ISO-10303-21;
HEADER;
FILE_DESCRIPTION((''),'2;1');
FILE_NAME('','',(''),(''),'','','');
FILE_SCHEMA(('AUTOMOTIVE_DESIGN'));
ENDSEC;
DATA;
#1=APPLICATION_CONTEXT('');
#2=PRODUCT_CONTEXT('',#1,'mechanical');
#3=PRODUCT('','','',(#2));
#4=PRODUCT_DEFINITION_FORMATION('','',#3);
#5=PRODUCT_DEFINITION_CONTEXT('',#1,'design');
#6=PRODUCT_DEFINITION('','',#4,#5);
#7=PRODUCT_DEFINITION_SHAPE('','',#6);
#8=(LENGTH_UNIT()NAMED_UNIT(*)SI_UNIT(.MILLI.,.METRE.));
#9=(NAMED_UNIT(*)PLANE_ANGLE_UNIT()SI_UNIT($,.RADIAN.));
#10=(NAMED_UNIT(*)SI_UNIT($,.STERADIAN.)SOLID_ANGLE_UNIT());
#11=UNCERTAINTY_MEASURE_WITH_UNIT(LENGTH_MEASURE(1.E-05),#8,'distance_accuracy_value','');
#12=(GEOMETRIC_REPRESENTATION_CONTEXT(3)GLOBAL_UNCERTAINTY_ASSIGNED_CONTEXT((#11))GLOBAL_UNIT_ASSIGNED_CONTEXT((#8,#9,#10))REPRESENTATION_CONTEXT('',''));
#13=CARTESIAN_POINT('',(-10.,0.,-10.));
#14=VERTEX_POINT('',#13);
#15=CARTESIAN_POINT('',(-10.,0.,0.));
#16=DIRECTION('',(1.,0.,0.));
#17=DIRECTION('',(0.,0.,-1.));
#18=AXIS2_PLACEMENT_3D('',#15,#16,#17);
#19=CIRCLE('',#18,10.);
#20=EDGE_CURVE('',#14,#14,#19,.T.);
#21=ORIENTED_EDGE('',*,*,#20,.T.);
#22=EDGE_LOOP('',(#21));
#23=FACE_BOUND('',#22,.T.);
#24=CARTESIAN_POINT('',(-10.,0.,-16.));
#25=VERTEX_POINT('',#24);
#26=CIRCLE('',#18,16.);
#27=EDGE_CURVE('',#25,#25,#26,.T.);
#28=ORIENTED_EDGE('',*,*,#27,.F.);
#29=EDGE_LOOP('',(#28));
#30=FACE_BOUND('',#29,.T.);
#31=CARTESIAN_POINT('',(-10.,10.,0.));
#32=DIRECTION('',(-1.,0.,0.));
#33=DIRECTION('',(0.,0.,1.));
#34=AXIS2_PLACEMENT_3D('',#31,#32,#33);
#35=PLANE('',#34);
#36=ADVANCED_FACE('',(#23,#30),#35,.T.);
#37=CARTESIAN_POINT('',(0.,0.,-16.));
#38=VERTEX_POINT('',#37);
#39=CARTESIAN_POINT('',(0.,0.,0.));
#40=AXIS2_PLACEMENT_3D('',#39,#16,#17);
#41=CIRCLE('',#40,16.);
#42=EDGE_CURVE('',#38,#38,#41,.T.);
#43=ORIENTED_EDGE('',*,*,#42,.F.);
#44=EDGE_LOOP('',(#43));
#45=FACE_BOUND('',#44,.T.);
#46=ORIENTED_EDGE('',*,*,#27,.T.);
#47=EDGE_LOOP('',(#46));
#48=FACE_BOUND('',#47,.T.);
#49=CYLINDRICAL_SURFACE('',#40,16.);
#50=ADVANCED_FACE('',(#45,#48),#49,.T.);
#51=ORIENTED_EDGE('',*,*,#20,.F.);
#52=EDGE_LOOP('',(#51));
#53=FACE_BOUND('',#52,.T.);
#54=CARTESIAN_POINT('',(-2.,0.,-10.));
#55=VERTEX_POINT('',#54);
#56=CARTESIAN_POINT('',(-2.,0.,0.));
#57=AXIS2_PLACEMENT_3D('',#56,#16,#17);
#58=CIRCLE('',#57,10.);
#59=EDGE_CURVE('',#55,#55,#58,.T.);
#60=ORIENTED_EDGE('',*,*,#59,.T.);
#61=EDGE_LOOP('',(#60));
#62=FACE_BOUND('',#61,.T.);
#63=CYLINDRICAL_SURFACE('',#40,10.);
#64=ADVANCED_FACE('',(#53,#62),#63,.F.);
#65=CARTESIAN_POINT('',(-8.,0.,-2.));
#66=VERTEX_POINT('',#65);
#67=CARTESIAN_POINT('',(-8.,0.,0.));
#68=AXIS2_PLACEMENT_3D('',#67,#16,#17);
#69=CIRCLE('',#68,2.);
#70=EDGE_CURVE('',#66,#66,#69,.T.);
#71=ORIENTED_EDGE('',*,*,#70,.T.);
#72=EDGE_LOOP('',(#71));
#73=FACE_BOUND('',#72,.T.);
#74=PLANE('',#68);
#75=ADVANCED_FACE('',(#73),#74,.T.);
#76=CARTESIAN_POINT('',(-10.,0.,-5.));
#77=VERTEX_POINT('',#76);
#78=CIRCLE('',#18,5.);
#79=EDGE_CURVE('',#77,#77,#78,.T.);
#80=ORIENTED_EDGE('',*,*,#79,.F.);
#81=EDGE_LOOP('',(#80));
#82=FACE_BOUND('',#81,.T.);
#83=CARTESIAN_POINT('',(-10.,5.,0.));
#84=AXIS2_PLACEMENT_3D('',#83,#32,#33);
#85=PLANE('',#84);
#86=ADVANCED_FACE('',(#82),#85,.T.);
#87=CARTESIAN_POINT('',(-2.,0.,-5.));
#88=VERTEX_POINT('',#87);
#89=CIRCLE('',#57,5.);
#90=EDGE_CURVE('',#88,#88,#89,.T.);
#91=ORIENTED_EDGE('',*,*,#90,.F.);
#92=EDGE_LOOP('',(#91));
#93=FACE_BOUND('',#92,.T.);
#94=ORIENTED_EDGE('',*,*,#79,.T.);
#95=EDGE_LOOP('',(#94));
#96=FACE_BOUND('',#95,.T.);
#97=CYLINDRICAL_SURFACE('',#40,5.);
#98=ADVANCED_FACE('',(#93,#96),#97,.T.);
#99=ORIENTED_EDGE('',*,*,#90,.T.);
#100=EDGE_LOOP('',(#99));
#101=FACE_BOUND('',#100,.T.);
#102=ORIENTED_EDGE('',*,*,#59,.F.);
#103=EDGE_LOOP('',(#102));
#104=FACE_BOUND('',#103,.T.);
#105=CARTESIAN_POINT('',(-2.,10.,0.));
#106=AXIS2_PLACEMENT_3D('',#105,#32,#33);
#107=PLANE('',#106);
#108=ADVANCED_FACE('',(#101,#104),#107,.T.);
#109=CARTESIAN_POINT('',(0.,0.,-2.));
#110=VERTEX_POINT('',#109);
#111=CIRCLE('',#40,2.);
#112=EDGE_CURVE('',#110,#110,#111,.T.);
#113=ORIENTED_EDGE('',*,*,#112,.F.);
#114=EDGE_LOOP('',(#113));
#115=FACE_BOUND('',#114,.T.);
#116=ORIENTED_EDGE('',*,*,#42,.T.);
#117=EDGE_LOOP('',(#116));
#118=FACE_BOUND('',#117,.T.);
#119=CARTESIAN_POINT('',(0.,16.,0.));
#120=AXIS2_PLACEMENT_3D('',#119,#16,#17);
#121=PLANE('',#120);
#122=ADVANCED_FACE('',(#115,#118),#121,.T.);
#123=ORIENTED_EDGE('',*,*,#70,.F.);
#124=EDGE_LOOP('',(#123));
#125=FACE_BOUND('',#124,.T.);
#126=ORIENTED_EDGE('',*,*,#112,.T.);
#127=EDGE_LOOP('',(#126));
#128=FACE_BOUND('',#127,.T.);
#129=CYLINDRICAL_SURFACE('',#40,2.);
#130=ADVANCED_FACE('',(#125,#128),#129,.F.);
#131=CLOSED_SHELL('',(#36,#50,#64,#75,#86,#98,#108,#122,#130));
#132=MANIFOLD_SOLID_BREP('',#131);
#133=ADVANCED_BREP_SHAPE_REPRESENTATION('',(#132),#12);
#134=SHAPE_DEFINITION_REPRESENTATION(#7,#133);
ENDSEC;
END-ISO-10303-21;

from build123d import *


with BuildPart() as part:
    # Esboço3 → Revolução1 (revolve)
    with BuildSketch(Plane.XY, mode=Mode.PRIVATE) as revolu_o1_sk:
        Polygon((0, 16), (0, 2), (-8, 2), (-8, 0), (-10, 0), (-10, 5), (-2, 5), (-2, 10), (-10, 10), (-10, 16), align=None)
    revolve(revolu_o1_sk.sketch.rotate(Axis((0, 0, 0), (-1, 0, 0)), 90), axis=Axis((0, 0, 0), (-1, 0, 0)))


solid = part.part
